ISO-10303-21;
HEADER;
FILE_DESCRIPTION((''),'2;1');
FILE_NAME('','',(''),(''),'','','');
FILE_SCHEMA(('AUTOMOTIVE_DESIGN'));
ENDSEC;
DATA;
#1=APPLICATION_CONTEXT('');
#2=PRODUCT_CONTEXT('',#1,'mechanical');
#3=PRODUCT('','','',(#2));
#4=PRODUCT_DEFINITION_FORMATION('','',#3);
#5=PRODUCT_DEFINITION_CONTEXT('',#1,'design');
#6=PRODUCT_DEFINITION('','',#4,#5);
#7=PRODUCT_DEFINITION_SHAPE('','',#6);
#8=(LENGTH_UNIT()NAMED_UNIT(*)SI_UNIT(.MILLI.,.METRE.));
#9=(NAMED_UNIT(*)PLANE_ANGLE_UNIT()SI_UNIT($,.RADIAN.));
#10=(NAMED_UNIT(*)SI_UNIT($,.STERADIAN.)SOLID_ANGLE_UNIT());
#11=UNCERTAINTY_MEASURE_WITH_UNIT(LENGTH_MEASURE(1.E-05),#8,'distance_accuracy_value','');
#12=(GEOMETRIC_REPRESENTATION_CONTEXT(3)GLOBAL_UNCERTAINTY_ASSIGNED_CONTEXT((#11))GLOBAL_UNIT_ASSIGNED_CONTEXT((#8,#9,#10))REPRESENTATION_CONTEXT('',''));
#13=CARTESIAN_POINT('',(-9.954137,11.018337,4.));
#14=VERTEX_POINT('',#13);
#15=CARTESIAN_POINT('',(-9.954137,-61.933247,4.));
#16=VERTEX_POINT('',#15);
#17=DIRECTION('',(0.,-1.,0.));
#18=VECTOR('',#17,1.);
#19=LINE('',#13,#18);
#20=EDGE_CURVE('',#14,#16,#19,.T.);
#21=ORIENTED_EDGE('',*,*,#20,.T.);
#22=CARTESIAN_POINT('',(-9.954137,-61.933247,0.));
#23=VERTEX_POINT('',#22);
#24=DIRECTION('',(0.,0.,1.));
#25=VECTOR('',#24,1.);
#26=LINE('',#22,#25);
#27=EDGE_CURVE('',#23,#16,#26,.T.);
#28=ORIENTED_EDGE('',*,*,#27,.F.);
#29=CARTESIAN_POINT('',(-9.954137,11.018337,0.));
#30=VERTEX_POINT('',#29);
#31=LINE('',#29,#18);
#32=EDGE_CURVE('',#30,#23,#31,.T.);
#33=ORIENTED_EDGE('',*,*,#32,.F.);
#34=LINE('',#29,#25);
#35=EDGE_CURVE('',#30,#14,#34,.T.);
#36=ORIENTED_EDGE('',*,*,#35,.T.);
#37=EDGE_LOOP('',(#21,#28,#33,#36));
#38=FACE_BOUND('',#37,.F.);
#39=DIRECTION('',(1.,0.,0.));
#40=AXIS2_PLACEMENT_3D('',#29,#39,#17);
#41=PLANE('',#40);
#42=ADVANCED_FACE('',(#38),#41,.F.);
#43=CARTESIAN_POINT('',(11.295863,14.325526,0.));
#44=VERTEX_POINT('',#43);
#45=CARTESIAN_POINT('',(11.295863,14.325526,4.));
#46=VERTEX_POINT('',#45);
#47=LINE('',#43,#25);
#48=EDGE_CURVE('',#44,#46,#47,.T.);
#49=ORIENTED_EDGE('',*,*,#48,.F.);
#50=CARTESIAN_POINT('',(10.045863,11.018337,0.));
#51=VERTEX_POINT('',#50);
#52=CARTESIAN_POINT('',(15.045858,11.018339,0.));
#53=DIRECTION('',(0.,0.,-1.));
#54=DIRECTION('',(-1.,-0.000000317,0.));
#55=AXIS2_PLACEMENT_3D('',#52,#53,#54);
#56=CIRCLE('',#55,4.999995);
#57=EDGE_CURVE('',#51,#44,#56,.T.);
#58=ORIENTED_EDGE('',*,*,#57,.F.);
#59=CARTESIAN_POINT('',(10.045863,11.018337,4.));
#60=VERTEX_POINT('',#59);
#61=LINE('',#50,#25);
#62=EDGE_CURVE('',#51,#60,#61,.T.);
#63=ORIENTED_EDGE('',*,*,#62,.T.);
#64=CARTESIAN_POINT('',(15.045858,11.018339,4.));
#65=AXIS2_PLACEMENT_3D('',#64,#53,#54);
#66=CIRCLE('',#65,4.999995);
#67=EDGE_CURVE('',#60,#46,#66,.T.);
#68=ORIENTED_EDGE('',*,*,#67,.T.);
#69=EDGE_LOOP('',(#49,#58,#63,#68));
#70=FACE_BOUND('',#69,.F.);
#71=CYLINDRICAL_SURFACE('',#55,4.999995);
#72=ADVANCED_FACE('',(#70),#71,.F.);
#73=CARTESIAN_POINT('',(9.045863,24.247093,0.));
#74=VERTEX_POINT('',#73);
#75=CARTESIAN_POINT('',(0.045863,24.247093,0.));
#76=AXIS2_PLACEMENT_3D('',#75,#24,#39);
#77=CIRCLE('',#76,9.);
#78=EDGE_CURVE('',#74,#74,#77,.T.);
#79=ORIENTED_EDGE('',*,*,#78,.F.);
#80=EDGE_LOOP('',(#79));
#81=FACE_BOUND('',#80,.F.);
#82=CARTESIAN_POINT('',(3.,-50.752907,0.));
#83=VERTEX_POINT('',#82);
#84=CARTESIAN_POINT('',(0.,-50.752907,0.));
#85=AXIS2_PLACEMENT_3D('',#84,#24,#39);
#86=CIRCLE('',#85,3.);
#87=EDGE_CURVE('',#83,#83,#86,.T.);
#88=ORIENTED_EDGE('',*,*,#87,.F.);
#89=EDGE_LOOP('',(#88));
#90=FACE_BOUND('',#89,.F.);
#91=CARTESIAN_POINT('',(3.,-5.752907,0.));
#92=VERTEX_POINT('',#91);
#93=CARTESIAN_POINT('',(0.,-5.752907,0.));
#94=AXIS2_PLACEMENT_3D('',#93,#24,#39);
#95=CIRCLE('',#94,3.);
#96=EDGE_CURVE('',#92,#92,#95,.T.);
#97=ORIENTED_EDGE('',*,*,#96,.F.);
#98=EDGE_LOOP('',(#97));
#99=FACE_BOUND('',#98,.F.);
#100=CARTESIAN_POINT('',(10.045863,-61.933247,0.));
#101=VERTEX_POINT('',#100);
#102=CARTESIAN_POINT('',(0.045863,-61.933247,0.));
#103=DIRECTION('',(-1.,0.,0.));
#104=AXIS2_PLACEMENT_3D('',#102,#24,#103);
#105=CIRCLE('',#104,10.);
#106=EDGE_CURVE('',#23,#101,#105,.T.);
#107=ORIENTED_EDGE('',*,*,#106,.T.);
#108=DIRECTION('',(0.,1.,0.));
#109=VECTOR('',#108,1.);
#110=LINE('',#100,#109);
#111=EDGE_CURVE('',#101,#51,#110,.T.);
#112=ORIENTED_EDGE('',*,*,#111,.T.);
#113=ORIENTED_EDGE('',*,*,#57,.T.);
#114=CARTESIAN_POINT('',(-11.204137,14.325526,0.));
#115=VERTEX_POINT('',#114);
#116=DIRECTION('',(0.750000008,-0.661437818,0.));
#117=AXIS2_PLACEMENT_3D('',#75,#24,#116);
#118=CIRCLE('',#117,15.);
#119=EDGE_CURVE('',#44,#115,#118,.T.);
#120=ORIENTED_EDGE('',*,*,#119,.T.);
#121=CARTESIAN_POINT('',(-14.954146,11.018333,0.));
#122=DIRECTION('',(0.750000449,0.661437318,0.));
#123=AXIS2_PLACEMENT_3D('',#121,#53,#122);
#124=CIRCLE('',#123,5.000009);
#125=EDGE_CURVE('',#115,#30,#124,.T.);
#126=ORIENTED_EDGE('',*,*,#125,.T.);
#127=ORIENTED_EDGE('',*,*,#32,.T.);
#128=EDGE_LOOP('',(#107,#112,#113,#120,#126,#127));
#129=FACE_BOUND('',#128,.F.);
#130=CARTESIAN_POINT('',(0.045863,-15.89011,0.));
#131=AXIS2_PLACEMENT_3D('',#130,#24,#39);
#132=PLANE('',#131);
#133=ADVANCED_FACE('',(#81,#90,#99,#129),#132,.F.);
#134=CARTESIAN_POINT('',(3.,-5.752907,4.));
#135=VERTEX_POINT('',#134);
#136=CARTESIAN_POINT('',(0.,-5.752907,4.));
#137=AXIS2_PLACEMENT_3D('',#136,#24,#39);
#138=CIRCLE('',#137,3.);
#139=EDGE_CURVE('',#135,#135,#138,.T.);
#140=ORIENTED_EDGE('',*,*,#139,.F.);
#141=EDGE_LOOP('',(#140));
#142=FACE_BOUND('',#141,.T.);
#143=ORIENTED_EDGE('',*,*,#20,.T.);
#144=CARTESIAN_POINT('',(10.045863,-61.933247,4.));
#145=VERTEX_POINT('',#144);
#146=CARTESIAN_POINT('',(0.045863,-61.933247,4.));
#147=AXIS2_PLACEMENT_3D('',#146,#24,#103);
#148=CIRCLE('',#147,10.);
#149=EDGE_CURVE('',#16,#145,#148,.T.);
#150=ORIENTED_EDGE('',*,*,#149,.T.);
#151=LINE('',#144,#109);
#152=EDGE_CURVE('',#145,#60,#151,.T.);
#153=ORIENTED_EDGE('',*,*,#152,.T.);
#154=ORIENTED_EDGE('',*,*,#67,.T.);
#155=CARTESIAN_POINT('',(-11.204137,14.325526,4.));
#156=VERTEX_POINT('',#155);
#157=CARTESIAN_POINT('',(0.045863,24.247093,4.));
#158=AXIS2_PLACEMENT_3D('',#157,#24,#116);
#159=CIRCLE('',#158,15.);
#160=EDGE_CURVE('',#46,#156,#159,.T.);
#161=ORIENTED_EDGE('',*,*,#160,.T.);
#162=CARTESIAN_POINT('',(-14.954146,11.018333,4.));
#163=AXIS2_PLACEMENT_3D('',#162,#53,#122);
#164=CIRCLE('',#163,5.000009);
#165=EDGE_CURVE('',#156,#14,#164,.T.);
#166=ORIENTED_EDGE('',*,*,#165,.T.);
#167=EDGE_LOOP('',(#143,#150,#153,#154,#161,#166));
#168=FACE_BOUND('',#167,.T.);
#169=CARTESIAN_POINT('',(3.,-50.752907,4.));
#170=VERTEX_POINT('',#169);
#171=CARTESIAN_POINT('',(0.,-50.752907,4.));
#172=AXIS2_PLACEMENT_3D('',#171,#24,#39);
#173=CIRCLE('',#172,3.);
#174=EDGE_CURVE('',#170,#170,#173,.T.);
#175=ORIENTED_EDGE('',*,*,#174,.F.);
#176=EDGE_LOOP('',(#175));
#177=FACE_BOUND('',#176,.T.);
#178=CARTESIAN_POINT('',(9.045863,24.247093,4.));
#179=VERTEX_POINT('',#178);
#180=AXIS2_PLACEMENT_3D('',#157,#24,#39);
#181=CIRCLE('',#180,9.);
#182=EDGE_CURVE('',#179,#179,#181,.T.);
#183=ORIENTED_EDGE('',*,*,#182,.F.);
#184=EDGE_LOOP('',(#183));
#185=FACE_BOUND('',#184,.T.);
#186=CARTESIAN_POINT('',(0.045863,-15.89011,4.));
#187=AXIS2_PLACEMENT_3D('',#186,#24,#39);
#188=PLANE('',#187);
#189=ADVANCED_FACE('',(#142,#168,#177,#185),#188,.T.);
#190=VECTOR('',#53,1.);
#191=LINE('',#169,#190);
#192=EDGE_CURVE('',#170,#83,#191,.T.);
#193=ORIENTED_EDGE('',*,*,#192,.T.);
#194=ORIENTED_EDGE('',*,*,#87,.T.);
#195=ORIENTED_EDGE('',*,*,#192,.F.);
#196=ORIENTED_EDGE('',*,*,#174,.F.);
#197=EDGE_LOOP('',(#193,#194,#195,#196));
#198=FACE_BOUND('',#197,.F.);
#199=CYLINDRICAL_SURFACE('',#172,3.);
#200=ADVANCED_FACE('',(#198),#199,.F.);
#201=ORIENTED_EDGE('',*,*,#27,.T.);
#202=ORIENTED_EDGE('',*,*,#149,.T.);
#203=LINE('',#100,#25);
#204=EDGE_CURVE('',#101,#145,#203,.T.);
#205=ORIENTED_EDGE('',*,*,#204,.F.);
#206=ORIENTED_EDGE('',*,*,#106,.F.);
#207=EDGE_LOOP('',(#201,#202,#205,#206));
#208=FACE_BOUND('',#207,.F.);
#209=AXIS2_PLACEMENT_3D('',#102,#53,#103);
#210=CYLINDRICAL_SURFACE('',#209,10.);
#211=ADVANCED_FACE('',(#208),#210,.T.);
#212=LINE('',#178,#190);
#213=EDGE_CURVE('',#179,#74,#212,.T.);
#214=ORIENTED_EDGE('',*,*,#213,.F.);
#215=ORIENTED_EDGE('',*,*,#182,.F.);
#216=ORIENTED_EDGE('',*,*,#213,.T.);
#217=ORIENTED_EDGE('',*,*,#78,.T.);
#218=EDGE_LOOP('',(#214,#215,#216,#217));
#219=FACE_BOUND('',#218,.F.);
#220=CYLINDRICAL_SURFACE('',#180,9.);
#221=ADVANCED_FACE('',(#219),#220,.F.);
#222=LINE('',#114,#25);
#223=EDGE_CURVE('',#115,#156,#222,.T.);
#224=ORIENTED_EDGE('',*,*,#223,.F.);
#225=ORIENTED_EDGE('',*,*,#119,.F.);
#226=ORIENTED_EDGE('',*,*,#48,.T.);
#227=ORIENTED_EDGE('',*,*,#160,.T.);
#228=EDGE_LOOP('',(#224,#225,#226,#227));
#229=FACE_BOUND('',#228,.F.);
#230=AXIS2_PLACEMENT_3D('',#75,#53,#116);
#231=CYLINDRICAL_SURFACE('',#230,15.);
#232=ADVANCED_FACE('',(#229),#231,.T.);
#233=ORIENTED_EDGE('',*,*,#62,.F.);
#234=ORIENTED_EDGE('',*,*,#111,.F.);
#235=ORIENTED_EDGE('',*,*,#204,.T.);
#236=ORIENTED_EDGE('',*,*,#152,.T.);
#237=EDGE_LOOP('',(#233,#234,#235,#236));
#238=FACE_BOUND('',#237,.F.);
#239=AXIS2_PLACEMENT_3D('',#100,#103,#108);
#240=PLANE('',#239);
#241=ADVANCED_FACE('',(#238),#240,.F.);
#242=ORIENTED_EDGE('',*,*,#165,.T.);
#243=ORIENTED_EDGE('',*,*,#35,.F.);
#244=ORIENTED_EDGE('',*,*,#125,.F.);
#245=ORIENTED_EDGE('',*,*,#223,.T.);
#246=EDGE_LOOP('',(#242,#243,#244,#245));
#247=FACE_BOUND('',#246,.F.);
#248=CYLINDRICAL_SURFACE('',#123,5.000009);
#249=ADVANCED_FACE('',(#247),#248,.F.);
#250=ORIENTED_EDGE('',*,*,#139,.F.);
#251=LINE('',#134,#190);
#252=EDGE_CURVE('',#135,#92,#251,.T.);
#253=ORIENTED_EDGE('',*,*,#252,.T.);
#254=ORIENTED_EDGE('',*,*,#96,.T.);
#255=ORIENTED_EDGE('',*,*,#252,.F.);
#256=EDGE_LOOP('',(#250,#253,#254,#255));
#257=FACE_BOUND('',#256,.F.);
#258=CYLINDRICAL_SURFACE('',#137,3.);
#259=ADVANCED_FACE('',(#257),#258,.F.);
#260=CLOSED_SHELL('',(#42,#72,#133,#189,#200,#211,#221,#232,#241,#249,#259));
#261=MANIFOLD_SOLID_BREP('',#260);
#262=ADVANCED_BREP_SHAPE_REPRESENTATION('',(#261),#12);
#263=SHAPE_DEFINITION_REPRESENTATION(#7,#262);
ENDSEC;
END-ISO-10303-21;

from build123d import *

# Parameters (mm, degrees)
F1_DEPTH = 4
F2_R     = 9
F2_R_2   = 3
F3_DEPTH = 4.001


with BuildPart() as f1:
    # F0 (on Top) → F1 (new body)
    with BuildSketch(Plane.XY):
        with BuildLine():
            ThreePointArc((-11.204137, 14.325526), (-10.277066, 12.786104), (-9.954137, 11.018337))
            Line((-9.954137, 11.018337), (-9.954137, -61.933247))
            ThreePointArc((-9.954137, -61.933247), (0.045863, -71.933247), (10.045863, -61.933247))
            Line((10.045863, -61.933247), (10.045863, 11.018337))
            ThreePointArc((10.045863, 11.018337), (10.368791, 12.786104), (11.295863, 14.325526))
            ThreePointArc((11.295863, 14.325526), (0.045863, 39.247093), (-11.204137, 14.325526))
        make_face()
    extrude(amount=F1_DEPTH)

    # F2 (on face) → F3 (cut, through all)
    with BuildSketch(Plane.XY.offset(4)):
        with Locations((0.045863, 24.247093)):
            Circle(F2_R)
        with Locations((0, -5.752907)):
            Circle(F2_R_2)
        with Locations((0, -50.752907)):
            Circle(F2_R_2)
    extrude(amount=-F3_DEPTH, mode=Mode.SUBTRACT)


solid = f1.part
